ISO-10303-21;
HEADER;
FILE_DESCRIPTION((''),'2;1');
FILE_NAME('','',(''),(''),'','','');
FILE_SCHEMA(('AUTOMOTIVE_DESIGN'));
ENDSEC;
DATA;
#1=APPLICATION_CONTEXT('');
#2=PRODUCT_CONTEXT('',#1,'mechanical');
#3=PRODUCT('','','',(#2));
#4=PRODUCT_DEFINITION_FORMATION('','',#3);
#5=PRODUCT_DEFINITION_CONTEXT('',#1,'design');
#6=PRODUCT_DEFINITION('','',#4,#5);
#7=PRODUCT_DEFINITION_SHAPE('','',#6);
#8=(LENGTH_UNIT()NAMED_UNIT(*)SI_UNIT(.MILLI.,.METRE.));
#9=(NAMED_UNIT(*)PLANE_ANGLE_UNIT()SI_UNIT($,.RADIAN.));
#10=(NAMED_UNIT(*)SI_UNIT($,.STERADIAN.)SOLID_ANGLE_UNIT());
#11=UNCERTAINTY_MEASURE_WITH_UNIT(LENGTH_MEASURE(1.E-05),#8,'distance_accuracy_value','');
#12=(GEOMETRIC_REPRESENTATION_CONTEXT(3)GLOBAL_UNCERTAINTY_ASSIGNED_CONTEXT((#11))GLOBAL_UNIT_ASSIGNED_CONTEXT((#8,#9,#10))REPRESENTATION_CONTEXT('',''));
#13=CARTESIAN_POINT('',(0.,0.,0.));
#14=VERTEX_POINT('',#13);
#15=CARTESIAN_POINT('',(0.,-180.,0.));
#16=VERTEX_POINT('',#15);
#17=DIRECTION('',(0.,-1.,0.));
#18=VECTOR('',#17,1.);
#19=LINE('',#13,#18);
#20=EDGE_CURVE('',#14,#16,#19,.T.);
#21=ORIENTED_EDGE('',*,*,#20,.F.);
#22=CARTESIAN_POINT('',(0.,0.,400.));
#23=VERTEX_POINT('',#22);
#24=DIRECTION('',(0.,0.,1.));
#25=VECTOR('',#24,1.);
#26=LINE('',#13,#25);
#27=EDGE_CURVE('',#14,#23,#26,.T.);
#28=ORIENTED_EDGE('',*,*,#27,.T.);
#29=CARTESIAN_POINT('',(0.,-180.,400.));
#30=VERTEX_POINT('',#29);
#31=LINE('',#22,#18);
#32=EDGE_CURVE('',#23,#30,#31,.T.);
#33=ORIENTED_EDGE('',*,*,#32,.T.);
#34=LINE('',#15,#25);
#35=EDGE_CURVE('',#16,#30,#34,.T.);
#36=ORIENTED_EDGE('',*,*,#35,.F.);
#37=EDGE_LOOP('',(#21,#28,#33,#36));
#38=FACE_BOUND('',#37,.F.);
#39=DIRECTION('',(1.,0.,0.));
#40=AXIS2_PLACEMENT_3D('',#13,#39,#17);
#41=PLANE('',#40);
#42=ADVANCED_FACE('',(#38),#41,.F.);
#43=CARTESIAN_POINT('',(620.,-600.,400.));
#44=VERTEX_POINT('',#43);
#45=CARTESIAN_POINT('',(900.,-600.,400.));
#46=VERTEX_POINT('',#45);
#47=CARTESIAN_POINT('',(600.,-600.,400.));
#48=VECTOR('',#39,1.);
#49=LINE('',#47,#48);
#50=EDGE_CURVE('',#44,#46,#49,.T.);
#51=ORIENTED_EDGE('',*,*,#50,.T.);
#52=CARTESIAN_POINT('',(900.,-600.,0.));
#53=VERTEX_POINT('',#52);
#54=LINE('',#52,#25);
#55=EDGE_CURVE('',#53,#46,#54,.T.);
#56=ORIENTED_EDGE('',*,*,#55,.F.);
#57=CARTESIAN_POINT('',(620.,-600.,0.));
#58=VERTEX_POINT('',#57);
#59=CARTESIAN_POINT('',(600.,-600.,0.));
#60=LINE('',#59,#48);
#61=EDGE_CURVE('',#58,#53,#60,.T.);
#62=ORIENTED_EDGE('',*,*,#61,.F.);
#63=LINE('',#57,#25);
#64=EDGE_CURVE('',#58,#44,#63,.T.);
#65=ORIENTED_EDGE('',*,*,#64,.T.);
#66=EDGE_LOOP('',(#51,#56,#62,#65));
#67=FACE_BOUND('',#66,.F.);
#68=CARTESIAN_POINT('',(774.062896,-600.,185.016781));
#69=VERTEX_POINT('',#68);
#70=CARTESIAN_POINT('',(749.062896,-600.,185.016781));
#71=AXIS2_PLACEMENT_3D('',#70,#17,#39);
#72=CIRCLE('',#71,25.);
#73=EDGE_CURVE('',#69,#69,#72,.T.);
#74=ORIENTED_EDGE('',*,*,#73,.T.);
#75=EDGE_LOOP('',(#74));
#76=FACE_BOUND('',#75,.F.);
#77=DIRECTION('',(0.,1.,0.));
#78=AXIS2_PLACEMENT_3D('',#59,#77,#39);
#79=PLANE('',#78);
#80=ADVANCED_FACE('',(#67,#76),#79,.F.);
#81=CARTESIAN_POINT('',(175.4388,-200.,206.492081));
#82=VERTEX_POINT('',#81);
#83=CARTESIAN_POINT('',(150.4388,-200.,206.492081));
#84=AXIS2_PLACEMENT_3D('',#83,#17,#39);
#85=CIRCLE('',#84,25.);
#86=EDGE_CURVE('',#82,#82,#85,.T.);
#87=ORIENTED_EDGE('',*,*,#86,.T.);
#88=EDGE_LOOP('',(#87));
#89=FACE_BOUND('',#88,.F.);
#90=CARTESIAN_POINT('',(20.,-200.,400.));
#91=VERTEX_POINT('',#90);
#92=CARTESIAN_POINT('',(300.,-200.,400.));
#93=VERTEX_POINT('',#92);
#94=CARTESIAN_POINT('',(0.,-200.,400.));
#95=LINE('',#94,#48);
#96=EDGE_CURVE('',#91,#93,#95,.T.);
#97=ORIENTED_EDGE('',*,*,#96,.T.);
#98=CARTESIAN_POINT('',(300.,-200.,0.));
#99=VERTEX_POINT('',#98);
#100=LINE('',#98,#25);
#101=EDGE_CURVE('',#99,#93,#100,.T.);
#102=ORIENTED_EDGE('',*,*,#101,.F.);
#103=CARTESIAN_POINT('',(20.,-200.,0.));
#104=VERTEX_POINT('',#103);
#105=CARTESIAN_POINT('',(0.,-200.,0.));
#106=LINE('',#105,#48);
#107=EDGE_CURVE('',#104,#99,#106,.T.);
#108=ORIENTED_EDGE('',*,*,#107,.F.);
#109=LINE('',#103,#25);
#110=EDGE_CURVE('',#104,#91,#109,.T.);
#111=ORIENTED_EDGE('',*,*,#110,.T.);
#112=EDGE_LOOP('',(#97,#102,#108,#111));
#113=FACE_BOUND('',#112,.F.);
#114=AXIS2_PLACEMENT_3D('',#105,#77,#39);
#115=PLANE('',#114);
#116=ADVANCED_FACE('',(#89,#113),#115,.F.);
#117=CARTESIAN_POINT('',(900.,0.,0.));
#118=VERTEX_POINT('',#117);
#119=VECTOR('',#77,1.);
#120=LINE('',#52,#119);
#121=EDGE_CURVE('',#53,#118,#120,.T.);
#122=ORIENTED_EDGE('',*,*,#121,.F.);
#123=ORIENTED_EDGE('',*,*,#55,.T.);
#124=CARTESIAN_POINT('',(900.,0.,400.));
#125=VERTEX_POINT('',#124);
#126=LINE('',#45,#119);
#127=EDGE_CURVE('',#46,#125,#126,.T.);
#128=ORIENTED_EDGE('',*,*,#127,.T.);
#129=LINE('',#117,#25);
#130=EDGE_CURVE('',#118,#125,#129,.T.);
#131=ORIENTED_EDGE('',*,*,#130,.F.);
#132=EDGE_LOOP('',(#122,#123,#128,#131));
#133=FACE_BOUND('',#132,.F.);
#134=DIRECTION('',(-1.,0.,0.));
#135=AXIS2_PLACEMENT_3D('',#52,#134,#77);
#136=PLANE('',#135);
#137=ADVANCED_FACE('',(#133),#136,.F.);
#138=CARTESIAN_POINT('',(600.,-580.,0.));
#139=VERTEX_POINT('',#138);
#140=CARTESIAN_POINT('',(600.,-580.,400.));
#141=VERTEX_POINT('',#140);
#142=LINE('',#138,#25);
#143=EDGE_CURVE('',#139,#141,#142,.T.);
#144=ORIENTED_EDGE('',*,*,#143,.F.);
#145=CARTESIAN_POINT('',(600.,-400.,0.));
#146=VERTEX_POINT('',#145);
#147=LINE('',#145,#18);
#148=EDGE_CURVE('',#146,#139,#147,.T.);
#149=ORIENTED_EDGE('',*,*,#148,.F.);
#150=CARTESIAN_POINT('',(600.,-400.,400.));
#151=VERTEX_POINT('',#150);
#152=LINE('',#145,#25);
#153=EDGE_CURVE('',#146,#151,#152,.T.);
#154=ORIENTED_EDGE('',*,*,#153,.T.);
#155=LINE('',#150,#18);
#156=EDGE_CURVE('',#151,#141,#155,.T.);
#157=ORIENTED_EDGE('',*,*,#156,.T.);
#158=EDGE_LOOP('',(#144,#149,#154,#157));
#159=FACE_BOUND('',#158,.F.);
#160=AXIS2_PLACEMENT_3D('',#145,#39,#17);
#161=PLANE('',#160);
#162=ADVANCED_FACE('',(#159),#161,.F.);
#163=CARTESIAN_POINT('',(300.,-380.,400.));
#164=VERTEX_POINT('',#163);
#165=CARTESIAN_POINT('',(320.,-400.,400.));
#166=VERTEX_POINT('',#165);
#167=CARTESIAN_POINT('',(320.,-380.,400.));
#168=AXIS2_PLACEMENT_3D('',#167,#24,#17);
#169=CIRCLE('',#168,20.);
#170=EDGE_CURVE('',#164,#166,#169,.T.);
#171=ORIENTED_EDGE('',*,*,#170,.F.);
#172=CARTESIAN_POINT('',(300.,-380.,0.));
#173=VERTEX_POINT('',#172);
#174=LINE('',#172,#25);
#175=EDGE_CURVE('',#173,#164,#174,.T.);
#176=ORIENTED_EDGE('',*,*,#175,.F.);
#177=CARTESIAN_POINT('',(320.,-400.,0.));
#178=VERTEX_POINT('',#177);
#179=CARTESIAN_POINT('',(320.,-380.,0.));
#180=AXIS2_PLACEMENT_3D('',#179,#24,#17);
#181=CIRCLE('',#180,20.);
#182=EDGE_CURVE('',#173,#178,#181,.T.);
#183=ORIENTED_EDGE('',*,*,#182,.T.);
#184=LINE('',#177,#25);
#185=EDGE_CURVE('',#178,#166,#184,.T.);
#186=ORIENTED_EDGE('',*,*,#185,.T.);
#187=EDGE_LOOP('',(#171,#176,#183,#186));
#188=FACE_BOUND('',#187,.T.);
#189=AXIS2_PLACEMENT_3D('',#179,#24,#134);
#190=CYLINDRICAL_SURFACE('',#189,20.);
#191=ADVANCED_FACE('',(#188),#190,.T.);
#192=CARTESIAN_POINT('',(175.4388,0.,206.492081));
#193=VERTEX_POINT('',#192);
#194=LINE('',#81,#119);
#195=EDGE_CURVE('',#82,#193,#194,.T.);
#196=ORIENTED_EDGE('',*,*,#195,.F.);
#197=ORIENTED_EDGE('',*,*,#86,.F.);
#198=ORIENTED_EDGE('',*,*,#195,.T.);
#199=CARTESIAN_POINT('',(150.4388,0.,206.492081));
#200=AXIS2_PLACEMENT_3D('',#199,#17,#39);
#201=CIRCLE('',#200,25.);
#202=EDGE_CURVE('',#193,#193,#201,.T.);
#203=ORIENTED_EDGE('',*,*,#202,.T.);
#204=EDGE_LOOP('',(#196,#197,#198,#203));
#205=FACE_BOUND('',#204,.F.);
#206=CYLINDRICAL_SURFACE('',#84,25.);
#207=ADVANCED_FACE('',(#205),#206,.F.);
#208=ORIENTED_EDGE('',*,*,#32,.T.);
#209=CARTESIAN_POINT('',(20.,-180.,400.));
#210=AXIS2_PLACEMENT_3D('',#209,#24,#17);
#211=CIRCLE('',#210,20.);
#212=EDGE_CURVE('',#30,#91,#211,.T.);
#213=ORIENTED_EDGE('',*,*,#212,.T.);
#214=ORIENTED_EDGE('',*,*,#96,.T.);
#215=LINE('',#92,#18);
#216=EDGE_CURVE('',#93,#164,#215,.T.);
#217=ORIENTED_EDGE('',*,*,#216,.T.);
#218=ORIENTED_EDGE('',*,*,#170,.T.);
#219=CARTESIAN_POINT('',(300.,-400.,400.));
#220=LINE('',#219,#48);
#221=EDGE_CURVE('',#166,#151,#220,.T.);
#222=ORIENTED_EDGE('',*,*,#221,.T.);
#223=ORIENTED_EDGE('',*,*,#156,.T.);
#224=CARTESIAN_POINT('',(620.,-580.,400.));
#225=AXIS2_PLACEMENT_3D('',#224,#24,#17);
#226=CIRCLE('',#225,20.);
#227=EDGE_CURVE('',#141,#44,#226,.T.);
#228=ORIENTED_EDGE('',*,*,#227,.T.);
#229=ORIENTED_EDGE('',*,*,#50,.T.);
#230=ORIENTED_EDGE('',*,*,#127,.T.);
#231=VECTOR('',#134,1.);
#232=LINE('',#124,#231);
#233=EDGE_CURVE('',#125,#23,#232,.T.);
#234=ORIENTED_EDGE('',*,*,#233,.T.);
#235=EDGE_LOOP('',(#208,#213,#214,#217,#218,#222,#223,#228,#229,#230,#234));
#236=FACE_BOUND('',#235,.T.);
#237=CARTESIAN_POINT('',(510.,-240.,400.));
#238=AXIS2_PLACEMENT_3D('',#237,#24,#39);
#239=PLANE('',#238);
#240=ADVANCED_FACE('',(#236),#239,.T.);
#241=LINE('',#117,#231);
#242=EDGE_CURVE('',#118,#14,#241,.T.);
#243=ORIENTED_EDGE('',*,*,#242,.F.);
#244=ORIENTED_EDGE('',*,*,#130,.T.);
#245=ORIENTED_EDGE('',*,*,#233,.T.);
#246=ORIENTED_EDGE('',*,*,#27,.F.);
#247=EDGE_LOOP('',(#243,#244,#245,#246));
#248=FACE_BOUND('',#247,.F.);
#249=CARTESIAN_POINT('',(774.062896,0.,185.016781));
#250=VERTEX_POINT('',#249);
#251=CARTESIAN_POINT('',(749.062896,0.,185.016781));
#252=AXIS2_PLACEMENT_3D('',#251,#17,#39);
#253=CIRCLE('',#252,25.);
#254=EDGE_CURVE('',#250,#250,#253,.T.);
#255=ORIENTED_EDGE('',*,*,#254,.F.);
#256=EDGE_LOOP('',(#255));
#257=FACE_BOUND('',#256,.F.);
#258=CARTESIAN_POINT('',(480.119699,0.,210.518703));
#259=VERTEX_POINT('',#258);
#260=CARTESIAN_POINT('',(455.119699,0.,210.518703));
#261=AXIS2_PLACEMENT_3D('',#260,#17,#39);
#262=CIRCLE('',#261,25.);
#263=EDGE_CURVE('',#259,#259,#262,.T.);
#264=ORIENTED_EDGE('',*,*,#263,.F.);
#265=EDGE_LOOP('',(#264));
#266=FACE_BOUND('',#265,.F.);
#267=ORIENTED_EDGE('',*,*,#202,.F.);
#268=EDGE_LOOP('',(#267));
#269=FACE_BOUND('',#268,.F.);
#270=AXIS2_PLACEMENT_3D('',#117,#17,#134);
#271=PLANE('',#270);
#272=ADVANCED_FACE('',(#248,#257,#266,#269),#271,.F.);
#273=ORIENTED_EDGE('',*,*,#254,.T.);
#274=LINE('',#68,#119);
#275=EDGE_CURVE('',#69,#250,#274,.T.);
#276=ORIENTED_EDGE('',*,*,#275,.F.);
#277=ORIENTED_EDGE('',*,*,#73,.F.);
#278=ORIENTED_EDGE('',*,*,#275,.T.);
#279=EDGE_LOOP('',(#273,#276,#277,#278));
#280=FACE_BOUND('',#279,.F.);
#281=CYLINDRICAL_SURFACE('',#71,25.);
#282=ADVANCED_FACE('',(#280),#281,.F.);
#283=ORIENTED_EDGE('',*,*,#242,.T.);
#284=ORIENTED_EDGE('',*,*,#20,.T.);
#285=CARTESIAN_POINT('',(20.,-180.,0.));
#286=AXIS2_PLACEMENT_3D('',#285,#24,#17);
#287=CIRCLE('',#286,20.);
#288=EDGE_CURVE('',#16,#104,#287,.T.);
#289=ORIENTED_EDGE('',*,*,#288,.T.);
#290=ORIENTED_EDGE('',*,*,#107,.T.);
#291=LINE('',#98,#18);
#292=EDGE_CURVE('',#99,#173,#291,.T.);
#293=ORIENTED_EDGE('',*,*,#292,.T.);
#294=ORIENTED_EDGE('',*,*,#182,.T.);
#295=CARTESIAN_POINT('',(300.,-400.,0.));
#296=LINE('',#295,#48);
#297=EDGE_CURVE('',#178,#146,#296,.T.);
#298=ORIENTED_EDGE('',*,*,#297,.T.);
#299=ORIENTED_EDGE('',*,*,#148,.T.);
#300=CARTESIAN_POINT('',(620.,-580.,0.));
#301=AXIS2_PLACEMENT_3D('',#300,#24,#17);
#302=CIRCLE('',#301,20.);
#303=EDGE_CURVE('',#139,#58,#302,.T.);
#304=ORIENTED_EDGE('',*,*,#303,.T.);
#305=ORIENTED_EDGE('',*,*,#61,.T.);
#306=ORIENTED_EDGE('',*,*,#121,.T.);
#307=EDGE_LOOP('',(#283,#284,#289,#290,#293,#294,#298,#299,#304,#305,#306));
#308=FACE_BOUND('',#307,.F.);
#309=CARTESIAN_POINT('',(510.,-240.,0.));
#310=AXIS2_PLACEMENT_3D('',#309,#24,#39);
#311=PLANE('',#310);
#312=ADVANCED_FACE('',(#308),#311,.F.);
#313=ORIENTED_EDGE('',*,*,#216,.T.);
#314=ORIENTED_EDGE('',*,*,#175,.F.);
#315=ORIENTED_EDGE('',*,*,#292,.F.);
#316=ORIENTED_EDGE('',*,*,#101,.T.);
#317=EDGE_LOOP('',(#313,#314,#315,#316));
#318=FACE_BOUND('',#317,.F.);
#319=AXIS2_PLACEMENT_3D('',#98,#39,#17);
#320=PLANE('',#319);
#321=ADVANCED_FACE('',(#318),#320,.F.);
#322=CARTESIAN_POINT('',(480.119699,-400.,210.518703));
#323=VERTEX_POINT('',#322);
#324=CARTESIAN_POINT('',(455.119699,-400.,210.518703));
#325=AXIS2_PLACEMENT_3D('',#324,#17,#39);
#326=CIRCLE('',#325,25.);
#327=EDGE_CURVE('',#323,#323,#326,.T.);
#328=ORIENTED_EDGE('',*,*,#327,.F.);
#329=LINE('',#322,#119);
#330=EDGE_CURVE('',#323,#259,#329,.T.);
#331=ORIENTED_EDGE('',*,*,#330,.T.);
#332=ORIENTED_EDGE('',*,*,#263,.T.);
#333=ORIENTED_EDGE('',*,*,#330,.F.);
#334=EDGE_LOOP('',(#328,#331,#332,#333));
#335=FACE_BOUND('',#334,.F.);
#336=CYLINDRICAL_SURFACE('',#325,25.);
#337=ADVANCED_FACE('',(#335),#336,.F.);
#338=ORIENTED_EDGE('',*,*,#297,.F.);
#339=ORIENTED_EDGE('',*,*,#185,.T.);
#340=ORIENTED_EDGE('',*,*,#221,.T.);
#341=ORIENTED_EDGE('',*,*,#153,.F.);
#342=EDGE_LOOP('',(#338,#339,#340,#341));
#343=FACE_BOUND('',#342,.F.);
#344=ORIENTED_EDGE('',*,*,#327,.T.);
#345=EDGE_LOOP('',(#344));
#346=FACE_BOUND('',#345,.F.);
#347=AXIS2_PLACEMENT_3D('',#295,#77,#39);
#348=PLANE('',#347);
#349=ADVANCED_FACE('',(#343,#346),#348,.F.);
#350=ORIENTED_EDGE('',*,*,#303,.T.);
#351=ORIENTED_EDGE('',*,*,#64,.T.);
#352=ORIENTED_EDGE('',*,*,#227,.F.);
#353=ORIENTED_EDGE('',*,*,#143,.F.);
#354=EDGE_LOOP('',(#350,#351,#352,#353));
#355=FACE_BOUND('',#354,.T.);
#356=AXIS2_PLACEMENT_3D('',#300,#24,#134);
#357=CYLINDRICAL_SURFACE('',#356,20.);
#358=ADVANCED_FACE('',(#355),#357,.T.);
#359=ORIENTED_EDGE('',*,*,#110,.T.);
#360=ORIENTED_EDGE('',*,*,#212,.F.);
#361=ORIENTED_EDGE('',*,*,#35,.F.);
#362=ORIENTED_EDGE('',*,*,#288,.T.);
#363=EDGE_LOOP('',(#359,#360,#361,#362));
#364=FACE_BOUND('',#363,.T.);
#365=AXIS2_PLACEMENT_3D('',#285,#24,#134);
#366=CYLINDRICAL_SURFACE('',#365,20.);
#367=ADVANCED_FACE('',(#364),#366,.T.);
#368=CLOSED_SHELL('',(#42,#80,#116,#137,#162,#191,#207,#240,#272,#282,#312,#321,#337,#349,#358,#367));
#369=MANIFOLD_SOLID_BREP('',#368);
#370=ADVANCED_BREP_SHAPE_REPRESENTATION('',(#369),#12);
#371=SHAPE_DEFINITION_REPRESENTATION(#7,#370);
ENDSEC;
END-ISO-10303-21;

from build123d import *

# Parameters (mm, degrees)
F1_DEPTH = 400
F2_R     = 20
F4_R     = 25
F5_DEPTH = 200.001
F6_R     = 25
F7_DEPTH = 400.001
F8_R     = 25
F9_DEPTH = 600.001


with BuildPart() as f1:
    # F0 (on Top) → F1 (new body)
    with BuildSketch(Plane.XY):
        Polygon((900, 0), (0, 0), (0, -200), (300, -200), (300, -400), (600, -400), (600, -600), (900, -600), align=None)
    extrude(amount=F1_DEPTH)

    # F2
    f2_edges = [f1.edges().sort_by_distance(p)[0] for p in [
        (600, -600, 200),
        (300, -400, 200),
        (0, -200, 200),
    ]]
    fillet(f2_edges, radius=F2_R)

    # F4 (on face) → F5 (cut, through all)
    with BuildSketch(Plane.XZ.offset(200)):
        with Locations((150.4388, 206.492081)):
            Circle(F4_R)
    extrude(amount=-F5_DEPTH, mode=Mode.SUBTRACT)

    # F6 (on face) → F7 (cut, through all)
    with BuildSketch(Plane.XZ.offset(400)):
        with Locations((455.119699, 210.518703)):
            Circle(F6_R)
    extrude(amount=-F7_DEPTH, mode=Mode.SUBTRACT)

    # F8 (on face) → F9 (cut, through all)
    with BuildSketch(Plane.XZ.offset(600)):
        with Locations((749.062896, 185.016781)):
            Circle(F8_R)
    extrude(amount=-F9_DEPTH, mode=Mode.SUBTRACT)


solid = f1.part
